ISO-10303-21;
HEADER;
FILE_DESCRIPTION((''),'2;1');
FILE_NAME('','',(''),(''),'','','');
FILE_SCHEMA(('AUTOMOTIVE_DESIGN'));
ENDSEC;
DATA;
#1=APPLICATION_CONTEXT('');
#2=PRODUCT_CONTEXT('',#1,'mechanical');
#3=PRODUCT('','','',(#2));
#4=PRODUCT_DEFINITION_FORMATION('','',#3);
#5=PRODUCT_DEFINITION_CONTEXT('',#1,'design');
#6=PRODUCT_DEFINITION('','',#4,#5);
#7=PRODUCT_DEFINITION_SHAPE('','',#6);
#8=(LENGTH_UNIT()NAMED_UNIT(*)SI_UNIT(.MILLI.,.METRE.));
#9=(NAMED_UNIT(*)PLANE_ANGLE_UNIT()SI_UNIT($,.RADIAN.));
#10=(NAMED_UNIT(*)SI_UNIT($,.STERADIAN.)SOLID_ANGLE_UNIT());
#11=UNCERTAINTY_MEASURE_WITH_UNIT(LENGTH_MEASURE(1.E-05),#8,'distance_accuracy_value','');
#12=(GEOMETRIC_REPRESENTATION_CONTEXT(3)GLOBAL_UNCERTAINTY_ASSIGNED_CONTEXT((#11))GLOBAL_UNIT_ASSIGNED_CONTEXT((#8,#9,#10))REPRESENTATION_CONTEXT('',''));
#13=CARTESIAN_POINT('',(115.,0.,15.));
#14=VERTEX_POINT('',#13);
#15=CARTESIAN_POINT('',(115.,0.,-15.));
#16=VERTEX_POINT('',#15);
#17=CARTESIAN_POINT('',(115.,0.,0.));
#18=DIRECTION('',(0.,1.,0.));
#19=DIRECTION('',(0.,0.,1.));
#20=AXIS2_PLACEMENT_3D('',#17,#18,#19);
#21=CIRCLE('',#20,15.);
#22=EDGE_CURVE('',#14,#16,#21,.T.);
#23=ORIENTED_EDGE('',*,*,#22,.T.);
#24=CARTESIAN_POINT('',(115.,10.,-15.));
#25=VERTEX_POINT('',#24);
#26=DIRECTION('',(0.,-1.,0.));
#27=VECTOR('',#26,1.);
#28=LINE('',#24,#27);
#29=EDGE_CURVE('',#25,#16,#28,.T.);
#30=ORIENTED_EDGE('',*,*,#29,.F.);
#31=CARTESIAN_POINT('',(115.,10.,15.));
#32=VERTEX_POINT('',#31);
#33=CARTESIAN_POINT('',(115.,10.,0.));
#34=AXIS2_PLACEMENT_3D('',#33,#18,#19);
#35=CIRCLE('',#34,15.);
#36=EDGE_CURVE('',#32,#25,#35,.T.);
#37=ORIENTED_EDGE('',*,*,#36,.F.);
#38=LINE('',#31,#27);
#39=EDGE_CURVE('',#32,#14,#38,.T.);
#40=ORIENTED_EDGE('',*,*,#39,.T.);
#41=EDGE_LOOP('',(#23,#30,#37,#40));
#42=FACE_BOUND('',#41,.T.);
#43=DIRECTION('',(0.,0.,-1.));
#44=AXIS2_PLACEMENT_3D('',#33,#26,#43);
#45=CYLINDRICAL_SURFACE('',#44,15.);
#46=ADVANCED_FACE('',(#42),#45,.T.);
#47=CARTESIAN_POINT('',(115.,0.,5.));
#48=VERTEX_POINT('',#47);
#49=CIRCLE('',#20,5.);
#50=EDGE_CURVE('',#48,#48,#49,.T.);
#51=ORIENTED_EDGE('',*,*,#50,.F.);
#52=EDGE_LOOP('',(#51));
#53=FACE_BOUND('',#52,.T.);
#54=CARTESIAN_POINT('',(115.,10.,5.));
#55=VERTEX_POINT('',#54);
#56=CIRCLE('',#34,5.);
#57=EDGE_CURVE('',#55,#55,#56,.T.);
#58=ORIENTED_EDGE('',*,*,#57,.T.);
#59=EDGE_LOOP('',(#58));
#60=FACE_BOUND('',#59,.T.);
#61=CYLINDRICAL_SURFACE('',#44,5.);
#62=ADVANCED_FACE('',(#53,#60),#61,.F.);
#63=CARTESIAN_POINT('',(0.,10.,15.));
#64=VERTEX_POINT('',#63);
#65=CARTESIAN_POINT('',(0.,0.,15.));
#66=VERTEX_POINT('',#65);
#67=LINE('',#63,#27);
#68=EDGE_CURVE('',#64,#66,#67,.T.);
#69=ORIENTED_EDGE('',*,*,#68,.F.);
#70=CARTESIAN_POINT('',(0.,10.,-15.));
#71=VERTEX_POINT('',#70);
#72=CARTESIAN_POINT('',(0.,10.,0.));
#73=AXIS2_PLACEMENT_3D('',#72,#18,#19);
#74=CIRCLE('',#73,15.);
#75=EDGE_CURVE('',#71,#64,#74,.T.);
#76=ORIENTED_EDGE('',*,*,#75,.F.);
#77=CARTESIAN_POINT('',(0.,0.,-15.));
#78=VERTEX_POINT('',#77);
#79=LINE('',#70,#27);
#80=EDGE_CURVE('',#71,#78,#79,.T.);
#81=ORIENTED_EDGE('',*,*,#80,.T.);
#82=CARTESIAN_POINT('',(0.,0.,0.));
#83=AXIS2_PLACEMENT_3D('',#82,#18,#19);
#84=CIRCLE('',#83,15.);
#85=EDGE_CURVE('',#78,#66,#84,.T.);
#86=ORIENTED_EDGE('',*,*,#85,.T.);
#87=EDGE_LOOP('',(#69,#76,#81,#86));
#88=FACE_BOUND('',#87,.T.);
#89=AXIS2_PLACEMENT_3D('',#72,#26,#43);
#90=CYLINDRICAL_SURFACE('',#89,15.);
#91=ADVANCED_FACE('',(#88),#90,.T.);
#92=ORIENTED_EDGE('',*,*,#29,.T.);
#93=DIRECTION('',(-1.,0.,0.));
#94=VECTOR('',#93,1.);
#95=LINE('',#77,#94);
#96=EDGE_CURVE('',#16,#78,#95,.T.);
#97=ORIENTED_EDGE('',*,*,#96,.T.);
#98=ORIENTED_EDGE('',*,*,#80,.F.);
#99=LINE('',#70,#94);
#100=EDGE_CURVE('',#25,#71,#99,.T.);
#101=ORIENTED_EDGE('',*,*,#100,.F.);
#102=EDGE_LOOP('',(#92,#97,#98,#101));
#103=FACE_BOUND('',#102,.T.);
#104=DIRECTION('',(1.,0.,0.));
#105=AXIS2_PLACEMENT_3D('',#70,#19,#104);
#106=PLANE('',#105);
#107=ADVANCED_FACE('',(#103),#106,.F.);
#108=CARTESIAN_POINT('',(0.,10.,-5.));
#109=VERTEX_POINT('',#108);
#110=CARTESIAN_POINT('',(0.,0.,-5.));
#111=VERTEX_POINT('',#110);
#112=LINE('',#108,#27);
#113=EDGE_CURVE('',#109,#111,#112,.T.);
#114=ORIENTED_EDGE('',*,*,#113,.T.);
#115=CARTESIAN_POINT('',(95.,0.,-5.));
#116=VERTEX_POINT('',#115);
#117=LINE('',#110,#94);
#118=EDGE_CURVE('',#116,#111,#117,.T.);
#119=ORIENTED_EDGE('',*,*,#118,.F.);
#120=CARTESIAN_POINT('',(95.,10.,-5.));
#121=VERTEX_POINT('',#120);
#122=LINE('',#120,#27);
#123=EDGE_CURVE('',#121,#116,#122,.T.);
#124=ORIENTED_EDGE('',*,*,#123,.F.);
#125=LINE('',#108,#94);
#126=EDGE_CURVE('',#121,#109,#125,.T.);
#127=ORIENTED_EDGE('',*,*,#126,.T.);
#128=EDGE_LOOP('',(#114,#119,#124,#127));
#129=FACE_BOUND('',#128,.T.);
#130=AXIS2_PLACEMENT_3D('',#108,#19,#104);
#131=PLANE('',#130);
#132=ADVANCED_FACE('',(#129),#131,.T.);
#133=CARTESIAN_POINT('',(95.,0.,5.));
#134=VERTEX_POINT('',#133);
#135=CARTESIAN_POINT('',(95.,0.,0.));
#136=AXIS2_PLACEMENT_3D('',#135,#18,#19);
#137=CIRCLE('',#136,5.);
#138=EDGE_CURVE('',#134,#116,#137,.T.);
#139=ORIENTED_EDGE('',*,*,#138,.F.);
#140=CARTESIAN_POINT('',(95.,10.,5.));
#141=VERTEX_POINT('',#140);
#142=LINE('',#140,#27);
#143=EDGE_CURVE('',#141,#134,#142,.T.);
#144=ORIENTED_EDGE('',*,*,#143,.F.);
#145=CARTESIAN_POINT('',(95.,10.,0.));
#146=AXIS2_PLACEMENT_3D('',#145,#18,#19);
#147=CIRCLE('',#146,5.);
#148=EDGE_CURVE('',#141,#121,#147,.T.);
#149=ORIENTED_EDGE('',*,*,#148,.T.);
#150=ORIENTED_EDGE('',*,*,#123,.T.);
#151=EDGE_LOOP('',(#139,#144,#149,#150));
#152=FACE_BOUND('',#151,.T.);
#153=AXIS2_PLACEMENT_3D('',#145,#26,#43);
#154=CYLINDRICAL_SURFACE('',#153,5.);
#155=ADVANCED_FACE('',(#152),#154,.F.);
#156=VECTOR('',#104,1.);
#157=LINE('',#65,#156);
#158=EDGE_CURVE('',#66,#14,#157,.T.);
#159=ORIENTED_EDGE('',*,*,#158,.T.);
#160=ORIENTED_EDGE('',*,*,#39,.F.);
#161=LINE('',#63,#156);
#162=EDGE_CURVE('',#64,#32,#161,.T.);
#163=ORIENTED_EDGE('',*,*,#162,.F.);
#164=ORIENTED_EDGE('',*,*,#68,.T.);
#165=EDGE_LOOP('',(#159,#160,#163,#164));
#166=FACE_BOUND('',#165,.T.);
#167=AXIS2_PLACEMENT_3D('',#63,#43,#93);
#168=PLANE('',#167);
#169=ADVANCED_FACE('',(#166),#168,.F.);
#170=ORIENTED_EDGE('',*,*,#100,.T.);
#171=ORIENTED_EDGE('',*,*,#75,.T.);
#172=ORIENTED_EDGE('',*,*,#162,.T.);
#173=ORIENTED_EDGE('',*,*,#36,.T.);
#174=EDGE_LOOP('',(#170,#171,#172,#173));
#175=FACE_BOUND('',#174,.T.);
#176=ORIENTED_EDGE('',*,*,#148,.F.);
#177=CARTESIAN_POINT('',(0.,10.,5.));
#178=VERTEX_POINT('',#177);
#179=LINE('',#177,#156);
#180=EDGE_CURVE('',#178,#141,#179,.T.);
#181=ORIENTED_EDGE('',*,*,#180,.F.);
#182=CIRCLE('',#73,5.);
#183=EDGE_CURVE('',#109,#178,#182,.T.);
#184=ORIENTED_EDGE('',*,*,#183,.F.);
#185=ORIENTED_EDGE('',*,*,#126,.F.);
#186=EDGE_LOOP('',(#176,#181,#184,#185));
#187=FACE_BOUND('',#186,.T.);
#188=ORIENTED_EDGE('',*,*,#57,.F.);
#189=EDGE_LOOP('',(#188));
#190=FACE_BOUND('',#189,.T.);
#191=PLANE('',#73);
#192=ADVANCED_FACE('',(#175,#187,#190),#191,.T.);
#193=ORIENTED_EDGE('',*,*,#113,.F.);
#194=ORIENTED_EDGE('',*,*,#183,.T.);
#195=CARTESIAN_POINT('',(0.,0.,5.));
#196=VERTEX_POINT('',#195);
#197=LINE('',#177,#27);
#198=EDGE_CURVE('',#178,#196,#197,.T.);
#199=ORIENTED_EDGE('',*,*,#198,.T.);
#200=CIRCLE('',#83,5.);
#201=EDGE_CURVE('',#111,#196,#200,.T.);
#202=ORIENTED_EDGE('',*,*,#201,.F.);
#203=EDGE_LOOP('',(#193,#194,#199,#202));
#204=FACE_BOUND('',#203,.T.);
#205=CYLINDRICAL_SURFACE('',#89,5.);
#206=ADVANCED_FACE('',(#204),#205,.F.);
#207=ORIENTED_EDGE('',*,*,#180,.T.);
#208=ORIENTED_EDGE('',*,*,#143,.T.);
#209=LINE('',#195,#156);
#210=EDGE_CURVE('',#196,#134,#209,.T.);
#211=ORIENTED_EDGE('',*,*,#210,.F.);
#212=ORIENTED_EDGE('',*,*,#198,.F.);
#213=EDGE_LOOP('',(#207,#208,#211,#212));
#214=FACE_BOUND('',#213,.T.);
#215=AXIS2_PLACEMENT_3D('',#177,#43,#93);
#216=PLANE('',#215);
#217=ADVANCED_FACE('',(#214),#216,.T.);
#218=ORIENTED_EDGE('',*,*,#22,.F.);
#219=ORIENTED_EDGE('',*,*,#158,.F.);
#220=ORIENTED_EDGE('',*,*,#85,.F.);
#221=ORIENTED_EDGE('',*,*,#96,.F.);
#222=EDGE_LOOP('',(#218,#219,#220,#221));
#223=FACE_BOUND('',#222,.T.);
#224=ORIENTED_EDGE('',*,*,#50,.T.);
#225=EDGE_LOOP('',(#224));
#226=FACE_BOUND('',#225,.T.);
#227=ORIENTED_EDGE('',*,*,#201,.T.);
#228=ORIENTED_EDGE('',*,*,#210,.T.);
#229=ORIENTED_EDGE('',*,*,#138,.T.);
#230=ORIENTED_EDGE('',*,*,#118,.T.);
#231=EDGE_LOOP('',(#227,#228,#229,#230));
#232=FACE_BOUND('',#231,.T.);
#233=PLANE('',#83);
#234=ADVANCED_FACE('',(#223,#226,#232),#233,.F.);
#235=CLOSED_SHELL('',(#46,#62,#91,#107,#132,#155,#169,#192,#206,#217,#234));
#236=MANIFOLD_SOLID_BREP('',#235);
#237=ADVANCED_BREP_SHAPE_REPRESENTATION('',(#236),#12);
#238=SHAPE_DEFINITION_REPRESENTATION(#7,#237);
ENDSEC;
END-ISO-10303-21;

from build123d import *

# Parameters (mm, degrees)
SKETCH1_R           = 5
BOSS_EXTRUDE1_DEPTH = 10


with BuildPart() as part:
    # Sketch1 → Boss-Extrude1 (new body)
    with BuildSketch(Plane(origin=(0, 0, 0), x_dir=(1, 0, 0), z_dir=(0, 1, 0))):
        with BuildLine():
            Line((0, 15), (115, 15))
            ThreePointArc((115, 15), (130, 0), (115, -15))
            Line((115, -15), (0, -15))
            ThreePointArc((0, -15), (-15, 0), (0, 15))
        make_face()
        with Locations((115, 0)):
            Circle(SKETCH1_R, mode=Mode.SUBTRACT)
        with BuildLine():
            Line((0, 5), (95, 5))
            ThreePointArc((95, 5), (100, 0), (95, -5))
            Line((95, -5), (0, -5))
            ThreePointArc((0, -5), (-5, 0), (0, 5))
        make_face(mode=Mode.SUBTRACT)
    extrude(amount=BOSS_EXTRUDE1_DEPTH)


solid = part.part
